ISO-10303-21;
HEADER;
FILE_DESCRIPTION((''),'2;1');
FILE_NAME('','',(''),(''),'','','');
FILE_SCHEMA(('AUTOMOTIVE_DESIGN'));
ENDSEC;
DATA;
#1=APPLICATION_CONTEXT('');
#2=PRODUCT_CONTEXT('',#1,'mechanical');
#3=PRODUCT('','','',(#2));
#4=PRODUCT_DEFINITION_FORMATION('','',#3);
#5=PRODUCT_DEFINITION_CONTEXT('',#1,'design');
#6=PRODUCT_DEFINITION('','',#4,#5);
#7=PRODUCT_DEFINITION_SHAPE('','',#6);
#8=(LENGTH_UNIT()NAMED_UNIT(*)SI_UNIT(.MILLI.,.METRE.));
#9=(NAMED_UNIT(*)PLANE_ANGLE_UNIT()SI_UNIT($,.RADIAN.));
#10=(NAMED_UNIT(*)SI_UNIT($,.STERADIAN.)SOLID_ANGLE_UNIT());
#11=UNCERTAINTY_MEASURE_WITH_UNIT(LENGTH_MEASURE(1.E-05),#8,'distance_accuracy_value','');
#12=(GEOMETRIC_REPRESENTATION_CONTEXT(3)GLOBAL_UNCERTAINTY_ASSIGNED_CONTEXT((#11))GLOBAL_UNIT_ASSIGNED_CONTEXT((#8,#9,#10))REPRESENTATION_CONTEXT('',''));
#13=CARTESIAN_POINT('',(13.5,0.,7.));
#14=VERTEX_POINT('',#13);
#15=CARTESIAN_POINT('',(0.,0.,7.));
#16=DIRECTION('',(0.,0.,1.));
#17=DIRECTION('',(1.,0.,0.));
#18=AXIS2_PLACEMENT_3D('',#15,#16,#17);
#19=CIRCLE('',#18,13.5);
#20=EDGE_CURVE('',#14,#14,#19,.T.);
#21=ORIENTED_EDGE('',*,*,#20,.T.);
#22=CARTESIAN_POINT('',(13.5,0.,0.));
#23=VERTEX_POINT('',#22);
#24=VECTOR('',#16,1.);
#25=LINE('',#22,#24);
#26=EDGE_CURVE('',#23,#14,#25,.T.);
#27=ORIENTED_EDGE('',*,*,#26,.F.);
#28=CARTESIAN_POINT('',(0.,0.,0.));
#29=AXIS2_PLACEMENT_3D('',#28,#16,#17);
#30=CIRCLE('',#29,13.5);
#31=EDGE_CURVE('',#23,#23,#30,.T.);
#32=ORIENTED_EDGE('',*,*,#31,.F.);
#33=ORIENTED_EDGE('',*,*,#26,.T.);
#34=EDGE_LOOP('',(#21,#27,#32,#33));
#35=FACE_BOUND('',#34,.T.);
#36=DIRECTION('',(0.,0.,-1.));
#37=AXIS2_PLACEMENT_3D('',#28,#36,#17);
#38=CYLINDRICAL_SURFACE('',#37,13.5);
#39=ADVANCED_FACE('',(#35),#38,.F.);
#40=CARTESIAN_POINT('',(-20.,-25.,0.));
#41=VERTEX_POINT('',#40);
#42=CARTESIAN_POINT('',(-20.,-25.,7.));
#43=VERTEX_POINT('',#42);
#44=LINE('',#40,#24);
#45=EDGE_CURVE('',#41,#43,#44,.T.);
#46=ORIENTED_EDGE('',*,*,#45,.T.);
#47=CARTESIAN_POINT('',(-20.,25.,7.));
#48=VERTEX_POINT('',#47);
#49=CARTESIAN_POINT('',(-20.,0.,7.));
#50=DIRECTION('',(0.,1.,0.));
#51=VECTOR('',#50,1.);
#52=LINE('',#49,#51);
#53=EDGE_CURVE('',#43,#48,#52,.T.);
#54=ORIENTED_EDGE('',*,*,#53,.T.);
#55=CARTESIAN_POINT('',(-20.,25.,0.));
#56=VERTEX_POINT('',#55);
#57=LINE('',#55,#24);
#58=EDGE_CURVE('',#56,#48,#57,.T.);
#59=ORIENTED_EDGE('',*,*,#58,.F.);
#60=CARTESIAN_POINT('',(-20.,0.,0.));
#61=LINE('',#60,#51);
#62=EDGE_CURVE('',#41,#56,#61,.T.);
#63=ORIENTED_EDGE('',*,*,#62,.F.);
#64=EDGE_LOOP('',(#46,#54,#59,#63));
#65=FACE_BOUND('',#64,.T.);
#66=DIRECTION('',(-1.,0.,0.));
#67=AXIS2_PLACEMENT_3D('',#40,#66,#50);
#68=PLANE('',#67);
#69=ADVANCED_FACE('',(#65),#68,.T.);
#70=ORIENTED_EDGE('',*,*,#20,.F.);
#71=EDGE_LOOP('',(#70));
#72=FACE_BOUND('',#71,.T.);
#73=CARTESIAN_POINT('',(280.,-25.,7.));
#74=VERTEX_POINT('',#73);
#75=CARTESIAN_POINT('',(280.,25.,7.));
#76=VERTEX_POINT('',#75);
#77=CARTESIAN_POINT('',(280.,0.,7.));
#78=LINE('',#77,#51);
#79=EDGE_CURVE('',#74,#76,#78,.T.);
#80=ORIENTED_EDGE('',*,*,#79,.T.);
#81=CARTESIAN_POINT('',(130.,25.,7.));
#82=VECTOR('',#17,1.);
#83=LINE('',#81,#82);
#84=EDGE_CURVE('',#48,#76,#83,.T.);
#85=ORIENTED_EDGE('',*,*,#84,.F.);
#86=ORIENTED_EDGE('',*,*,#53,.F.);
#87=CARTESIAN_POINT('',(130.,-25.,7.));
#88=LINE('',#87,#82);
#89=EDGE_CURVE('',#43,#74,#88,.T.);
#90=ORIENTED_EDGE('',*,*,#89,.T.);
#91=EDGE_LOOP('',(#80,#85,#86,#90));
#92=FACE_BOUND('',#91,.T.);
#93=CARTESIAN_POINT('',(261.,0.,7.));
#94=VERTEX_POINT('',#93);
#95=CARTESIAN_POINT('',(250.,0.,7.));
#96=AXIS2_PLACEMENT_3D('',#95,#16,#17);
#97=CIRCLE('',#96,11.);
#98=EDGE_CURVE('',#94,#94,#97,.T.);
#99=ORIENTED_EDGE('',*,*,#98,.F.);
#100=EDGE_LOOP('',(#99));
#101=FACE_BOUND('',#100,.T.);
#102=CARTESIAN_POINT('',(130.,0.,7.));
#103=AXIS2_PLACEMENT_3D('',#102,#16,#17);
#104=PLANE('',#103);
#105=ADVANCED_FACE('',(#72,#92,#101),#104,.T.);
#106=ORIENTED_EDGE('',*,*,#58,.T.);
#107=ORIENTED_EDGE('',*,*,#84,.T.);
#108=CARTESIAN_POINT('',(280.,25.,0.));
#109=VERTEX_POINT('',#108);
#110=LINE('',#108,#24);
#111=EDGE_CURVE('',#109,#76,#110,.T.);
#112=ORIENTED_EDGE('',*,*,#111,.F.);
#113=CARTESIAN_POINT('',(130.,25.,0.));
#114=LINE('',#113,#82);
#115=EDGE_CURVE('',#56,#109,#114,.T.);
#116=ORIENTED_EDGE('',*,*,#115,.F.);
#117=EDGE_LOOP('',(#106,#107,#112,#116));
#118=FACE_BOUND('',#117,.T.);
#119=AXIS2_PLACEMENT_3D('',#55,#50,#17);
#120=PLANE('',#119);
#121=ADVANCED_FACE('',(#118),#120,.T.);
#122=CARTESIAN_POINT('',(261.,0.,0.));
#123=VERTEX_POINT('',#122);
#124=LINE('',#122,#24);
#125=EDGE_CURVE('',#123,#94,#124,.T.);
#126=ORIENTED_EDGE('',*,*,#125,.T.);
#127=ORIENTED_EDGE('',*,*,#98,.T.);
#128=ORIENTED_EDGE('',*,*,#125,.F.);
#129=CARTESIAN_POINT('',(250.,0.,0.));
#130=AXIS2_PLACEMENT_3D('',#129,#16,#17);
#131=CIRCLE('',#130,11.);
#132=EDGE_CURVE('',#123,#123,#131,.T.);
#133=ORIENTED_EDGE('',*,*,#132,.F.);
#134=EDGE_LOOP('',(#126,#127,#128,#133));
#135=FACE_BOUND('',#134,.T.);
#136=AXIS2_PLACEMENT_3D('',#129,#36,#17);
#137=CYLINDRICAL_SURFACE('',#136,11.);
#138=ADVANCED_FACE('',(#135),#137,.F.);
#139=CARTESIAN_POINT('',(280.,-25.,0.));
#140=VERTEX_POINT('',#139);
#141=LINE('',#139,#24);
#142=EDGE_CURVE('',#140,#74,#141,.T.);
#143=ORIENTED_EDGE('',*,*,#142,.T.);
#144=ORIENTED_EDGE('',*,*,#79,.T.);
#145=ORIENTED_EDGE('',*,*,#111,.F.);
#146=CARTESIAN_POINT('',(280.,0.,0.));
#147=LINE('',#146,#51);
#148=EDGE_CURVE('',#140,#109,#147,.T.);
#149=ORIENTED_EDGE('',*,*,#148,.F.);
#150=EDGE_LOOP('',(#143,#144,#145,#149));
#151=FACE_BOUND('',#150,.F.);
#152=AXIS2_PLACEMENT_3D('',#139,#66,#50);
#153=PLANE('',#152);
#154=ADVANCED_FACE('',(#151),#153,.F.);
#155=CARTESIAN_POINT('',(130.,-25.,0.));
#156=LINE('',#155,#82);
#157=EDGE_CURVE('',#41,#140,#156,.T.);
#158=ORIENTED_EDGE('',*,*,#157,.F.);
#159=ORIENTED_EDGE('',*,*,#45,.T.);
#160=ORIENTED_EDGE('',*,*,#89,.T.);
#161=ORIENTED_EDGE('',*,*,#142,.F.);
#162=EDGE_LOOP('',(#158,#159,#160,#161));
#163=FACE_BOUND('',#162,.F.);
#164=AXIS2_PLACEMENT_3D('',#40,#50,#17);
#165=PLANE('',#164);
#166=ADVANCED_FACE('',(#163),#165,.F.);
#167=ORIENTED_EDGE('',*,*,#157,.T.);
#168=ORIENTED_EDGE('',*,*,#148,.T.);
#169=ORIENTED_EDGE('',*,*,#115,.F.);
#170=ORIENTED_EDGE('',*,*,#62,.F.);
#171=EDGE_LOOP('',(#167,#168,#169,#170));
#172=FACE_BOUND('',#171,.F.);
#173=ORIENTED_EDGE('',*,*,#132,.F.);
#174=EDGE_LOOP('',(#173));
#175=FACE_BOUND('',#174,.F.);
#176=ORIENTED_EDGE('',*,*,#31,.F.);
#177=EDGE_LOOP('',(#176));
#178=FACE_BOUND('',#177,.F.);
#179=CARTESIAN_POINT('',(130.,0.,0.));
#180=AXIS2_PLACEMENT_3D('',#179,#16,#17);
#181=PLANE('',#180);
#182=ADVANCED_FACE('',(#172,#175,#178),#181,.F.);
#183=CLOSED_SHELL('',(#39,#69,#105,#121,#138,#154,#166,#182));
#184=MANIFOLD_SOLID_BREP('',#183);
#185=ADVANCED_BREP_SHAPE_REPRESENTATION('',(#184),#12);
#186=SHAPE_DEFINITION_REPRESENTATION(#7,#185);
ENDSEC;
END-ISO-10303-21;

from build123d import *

# Parameters (mm, degrees)
SKETCH_W   = 300
SKETCH_H   = 50
SKETCH_R   = 13.5
SKETCH_R_2 = 11
PAD_DEPTH  = 7


with BuildPart() as part:
    # Sketch → Pad (new body)
    with BuildSketch(Plane.XY):
        with Locations((130, 0)):
            Rectangle(SKETCH_W, SKETCH_H)
        Circle(SKETCH_R, mode=Mode.SUBTRACT)
        with Locations((250, 0)):
            Circle(SKETCH_R_2, mode=Mode.SUBTRACT)
    extrude(amount=PAD_DEPTH)


solid = part.part
